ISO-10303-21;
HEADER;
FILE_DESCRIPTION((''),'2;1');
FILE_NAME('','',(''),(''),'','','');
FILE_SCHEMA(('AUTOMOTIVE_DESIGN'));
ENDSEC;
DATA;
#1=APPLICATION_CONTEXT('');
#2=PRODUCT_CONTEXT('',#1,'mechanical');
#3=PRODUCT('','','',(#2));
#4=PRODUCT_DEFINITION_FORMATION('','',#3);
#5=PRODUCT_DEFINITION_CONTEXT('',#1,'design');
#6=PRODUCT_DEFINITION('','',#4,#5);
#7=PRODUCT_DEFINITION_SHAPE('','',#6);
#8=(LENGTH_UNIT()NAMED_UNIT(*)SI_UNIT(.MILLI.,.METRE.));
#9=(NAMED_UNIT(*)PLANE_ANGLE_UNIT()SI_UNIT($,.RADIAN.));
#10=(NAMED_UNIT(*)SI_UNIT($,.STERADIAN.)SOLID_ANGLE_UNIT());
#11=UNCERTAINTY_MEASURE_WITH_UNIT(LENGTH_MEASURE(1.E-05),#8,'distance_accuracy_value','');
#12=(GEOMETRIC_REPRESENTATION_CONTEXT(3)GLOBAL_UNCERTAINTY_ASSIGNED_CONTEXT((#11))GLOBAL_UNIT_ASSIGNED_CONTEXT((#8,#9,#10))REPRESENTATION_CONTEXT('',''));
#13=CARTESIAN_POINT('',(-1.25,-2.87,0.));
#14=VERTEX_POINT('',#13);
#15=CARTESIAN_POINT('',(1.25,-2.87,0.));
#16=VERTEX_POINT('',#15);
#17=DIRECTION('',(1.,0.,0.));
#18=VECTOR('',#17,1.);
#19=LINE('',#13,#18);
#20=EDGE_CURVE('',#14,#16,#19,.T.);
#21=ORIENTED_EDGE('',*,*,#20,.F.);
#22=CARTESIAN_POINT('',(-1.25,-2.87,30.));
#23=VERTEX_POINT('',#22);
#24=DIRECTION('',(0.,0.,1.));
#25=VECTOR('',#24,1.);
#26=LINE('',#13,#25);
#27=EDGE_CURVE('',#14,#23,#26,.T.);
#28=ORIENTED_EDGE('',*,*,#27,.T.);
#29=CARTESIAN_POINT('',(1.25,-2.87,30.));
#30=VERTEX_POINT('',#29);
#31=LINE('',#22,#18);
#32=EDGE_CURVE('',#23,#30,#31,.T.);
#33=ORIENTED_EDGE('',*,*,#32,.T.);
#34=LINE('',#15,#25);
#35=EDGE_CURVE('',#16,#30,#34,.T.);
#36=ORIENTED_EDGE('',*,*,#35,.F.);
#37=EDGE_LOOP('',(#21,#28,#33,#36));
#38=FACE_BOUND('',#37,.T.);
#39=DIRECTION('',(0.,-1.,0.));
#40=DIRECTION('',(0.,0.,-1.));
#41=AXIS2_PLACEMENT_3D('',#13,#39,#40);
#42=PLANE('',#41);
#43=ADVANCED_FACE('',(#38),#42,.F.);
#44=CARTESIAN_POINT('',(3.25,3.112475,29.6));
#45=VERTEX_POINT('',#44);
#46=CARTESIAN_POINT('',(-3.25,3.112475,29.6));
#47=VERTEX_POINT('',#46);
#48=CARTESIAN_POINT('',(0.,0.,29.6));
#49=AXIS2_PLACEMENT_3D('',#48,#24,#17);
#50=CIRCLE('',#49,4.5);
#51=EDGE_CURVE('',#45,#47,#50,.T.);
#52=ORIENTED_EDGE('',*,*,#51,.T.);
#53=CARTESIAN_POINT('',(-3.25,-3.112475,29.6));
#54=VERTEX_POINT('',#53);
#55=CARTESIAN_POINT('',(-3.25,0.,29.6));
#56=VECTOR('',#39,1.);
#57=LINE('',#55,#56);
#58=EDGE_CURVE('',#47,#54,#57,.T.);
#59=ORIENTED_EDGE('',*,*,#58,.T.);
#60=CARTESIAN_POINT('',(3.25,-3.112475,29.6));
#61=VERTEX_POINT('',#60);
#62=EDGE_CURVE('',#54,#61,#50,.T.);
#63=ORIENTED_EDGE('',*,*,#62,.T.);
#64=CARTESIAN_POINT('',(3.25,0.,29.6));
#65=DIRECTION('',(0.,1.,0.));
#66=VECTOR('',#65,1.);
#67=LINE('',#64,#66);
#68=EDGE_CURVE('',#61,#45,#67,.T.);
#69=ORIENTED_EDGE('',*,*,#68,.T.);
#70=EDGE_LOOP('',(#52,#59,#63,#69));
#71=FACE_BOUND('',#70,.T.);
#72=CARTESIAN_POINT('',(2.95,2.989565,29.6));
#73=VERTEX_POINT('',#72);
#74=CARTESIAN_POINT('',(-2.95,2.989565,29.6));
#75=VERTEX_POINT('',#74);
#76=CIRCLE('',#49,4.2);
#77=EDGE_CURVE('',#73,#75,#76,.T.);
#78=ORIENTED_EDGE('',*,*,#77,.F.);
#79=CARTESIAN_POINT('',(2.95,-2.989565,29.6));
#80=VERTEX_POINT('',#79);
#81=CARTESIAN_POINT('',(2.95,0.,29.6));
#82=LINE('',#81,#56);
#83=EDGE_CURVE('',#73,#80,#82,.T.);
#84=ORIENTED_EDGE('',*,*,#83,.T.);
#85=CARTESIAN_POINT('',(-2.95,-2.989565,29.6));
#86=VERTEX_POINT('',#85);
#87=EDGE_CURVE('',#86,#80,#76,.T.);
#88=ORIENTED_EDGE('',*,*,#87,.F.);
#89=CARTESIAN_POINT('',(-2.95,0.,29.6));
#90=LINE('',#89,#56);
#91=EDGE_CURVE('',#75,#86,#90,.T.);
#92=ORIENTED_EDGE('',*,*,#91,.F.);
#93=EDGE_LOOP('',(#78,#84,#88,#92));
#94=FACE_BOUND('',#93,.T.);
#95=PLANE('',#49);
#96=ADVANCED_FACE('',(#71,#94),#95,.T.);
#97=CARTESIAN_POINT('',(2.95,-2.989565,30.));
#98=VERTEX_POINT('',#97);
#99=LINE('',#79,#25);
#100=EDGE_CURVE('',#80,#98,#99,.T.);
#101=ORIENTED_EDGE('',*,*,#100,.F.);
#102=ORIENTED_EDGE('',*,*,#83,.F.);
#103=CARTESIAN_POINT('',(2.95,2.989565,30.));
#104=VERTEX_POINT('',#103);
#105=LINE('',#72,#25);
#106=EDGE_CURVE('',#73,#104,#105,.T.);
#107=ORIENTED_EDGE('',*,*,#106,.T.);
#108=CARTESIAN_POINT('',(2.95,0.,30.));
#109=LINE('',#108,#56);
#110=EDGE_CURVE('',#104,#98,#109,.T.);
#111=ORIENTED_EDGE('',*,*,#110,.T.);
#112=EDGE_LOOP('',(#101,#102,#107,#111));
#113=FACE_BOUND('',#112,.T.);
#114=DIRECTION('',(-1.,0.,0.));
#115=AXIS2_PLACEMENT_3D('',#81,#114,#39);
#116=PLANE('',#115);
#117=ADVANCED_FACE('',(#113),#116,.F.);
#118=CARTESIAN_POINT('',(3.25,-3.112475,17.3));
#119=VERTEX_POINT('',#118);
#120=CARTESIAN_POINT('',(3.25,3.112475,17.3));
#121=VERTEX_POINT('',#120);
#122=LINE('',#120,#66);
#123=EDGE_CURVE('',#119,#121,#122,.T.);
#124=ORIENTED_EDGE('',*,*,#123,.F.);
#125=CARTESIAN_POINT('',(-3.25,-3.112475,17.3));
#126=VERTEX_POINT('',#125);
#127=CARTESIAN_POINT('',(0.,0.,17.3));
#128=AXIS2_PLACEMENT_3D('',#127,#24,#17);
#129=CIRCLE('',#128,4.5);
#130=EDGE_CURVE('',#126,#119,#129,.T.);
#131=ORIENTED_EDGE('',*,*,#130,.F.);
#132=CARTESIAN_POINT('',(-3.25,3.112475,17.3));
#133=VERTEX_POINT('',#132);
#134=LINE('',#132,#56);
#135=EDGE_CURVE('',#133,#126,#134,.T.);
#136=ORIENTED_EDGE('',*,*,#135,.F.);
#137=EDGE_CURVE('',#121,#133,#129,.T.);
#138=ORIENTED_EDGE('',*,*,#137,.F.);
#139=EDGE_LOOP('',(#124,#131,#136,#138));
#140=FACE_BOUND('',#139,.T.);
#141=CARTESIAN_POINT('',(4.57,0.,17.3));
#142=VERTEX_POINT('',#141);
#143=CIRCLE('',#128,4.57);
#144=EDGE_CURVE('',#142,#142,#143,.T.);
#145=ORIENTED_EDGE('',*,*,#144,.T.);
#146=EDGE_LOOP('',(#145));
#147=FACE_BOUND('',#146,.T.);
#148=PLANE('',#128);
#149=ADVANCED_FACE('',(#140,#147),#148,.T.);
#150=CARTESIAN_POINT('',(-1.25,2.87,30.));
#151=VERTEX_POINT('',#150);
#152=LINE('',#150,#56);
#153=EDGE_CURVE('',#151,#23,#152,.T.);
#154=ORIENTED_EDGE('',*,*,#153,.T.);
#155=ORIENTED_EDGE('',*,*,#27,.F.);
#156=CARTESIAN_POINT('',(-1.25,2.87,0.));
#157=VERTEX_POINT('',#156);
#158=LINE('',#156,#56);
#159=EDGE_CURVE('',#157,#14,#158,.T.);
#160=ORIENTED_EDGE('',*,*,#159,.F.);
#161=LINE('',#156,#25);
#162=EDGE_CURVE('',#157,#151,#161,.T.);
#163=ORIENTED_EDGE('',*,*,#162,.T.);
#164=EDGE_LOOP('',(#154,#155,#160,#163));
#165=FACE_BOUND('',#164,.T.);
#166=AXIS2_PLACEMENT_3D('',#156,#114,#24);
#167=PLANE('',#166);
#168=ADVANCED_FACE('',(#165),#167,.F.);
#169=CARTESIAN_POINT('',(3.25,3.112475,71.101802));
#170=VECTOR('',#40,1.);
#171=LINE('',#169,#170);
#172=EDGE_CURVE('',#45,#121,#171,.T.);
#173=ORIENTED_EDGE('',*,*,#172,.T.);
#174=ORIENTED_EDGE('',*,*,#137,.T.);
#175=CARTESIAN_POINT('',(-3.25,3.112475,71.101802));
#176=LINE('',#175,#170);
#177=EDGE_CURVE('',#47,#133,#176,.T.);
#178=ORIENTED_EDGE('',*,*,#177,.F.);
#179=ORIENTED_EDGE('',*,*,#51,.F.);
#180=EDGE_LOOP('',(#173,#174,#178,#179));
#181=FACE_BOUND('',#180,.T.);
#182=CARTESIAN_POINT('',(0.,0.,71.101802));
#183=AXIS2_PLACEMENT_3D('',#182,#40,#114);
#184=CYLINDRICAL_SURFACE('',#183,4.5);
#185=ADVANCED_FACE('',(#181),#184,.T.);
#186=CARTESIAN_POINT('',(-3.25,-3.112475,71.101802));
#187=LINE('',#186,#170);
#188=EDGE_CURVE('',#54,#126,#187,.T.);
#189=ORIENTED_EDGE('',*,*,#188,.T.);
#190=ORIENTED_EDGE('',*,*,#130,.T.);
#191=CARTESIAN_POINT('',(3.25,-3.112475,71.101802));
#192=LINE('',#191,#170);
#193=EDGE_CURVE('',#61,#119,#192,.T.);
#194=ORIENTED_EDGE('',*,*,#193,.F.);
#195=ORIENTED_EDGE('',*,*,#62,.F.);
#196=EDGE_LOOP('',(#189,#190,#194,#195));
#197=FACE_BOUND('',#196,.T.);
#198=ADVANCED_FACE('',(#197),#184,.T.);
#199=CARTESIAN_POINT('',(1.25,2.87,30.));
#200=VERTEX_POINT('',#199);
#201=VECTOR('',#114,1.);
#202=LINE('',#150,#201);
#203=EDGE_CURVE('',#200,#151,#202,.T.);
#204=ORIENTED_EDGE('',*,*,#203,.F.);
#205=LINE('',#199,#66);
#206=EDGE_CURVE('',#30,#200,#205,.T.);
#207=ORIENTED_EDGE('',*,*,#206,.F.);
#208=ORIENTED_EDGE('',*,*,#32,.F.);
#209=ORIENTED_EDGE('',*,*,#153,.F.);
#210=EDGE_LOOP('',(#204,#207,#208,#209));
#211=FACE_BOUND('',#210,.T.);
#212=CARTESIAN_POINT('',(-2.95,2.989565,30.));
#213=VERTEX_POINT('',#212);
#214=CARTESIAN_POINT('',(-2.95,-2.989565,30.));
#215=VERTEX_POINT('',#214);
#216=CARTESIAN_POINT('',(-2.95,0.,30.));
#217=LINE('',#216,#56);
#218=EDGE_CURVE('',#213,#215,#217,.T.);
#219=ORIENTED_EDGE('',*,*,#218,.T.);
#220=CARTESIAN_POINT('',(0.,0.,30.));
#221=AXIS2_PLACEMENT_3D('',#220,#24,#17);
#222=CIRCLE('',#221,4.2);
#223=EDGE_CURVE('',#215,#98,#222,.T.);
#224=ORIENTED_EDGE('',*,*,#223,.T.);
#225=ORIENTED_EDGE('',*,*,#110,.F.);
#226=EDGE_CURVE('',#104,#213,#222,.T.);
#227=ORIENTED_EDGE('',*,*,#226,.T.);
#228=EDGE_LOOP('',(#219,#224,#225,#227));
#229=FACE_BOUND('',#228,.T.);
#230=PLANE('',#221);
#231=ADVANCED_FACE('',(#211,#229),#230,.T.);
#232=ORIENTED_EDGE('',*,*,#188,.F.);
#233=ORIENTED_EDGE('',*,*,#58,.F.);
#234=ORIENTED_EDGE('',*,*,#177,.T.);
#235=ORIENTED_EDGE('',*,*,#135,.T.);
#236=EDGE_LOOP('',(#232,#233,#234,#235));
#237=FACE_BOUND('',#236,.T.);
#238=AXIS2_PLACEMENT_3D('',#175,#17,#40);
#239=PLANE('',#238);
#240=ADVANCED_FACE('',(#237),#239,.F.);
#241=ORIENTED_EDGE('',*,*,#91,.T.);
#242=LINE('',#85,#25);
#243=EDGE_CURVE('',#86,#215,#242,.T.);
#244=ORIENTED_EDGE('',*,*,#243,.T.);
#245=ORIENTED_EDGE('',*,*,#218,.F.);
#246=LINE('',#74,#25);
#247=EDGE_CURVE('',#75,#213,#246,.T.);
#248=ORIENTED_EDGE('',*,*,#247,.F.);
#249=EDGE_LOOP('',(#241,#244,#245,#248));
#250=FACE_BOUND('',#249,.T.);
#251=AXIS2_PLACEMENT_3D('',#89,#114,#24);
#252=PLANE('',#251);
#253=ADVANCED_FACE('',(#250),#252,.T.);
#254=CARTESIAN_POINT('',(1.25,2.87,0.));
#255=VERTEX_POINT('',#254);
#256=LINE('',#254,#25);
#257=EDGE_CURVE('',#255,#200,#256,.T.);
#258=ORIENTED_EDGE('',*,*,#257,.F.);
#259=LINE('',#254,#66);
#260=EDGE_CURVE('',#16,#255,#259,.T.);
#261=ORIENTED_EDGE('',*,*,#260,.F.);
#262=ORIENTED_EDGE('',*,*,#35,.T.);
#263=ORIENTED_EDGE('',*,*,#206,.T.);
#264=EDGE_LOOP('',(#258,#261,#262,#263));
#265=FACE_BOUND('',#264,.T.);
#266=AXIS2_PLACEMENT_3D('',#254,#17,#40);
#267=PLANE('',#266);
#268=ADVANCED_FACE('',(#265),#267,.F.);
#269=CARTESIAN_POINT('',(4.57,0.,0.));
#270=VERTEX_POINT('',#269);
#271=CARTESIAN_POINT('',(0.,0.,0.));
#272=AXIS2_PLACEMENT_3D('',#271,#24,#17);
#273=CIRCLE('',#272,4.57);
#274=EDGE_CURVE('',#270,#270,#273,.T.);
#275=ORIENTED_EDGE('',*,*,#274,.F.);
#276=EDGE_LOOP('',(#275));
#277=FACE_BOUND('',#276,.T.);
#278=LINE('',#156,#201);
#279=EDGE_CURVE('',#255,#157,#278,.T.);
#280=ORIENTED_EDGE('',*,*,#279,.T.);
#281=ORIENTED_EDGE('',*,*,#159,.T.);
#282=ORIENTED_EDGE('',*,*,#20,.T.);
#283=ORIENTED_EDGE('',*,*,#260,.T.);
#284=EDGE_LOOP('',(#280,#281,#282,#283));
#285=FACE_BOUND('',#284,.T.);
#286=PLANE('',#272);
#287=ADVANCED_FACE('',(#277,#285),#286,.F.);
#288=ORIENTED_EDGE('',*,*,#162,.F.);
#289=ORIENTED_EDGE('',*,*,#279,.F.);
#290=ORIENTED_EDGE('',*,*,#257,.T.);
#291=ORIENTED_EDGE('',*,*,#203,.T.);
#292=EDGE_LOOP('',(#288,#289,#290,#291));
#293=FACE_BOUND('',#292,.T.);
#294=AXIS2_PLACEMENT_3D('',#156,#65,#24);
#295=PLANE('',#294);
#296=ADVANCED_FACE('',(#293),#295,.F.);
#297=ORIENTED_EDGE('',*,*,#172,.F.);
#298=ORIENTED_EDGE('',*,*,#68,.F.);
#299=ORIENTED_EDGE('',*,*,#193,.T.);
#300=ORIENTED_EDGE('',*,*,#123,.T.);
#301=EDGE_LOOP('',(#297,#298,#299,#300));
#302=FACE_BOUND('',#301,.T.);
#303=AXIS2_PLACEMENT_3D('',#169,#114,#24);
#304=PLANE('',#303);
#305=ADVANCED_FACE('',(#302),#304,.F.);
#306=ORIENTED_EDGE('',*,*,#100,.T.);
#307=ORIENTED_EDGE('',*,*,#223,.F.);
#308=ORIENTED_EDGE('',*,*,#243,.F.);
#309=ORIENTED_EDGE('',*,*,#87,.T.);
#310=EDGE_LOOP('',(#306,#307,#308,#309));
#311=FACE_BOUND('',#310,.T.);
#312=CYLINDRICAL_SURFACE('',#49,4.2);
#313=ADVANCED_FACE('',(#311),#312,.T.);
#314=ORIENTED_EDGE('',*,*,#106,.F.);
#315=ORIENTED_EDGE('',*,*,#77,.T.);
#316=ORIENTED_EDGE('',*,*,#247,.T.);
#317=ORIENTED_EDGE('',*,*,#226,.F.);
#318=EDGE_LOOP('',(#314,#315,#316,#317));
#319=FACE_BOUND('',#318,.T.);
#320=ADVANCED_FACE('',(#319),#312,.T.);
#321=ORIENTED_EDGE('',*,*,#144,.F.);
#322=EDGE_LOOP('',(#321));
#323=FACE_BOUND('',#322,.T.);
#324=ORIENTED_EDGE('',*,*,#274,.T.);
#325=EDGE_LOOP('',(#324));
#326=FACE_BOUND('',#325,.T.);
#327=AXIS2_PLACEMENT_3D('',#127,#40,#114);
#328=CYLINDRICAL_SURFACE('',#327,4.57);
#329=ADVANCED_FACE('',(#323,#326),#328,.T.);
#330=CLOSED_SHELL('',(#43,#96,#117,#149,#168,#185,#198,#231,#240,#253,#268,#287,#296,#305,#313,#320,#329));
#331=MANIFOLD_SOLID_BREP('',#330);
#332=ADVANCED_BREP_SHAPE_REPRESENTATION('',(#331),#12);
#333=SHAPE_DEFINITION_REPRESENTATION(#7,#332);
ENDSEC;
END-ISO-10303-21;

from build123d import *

# Parameters (mm, degrees)
SKETCH2_R           = 4.57
BOSS_EXTRUDE1_DEPTH = 17.3
BOSS_EXTRUDE3_DEPTH = 12.7
SKETCH5_W           = 2.5
SKETCH5_H           = 5.74
CUT_EXTRUDE1_DEPTH  = 31
SKETCH6_R           = 4.5
CUT_EXTRUDE3_DEPTH  = 0.4


with BuildPart() as part:
    # Sketch2 → Boss-Extrude1 (new body)
    with BuildSketch(Plane.XY):
        Circle(SKETCH2_R)
    extrude(amount=BOSS_EXTRUDE1_DEPTH)

    # Sketch4 → Boss-Extrude3 (add)
    with BuildSketch(Plane.XY.offset(17.3)):
        with BuildLine():
            Line((-3.25, 3.112474899), (-3.25, -3.112474899))
            ThreePointArc((-3.25, -3.112474899), (0, -4.5), (3.25, -3.112474899))
            Line((3.25, -3.112474899), (3.25, 3.112474899))
            ThreePointArc((3.25, 3.112474899), (0, 4.5), (-3.25, 3.112474899))
        make_face()
    extrude(amount=BOSS_EXTRUDE3_DEPTH)

    # Sketch5 → Cut-Extrude1 (cut, through all)
    with BuildSketch(Plane.XY.offset(30)):
        Rectangle(SKETCH5_W, SKETCH5_H)
    extrude(amount=-CUT_EXTRUDE1_DEPTH, mode=Mode.SUBTRACT)

    # Sketch6 → Cut-Extrude3 (cut)
    with BuildSketch(Plane.XY.offset(30)):
        Circle(SKETCH6_R)
        with BuildLine():
            Line((-2.95, 2.989565186), (-2.95, -2.989565186))
            ThreePointArc((-2.95, -2.989565186), (0, -4.2), (2.95, -2.989565186))
            Line((2.95, -2.989565186), (2.95, 2.989565186))
            ThreePointArc((2.95, 2.989565186), (0, 4.2), (-2.95, 2.989565186))
        make_face(mode=Mode.SUBTRACT)
    extrude(amount=-CUT_EXTRUDE3_DEPTH, mode=Mode.SUBTRACT)


solid = part.part
